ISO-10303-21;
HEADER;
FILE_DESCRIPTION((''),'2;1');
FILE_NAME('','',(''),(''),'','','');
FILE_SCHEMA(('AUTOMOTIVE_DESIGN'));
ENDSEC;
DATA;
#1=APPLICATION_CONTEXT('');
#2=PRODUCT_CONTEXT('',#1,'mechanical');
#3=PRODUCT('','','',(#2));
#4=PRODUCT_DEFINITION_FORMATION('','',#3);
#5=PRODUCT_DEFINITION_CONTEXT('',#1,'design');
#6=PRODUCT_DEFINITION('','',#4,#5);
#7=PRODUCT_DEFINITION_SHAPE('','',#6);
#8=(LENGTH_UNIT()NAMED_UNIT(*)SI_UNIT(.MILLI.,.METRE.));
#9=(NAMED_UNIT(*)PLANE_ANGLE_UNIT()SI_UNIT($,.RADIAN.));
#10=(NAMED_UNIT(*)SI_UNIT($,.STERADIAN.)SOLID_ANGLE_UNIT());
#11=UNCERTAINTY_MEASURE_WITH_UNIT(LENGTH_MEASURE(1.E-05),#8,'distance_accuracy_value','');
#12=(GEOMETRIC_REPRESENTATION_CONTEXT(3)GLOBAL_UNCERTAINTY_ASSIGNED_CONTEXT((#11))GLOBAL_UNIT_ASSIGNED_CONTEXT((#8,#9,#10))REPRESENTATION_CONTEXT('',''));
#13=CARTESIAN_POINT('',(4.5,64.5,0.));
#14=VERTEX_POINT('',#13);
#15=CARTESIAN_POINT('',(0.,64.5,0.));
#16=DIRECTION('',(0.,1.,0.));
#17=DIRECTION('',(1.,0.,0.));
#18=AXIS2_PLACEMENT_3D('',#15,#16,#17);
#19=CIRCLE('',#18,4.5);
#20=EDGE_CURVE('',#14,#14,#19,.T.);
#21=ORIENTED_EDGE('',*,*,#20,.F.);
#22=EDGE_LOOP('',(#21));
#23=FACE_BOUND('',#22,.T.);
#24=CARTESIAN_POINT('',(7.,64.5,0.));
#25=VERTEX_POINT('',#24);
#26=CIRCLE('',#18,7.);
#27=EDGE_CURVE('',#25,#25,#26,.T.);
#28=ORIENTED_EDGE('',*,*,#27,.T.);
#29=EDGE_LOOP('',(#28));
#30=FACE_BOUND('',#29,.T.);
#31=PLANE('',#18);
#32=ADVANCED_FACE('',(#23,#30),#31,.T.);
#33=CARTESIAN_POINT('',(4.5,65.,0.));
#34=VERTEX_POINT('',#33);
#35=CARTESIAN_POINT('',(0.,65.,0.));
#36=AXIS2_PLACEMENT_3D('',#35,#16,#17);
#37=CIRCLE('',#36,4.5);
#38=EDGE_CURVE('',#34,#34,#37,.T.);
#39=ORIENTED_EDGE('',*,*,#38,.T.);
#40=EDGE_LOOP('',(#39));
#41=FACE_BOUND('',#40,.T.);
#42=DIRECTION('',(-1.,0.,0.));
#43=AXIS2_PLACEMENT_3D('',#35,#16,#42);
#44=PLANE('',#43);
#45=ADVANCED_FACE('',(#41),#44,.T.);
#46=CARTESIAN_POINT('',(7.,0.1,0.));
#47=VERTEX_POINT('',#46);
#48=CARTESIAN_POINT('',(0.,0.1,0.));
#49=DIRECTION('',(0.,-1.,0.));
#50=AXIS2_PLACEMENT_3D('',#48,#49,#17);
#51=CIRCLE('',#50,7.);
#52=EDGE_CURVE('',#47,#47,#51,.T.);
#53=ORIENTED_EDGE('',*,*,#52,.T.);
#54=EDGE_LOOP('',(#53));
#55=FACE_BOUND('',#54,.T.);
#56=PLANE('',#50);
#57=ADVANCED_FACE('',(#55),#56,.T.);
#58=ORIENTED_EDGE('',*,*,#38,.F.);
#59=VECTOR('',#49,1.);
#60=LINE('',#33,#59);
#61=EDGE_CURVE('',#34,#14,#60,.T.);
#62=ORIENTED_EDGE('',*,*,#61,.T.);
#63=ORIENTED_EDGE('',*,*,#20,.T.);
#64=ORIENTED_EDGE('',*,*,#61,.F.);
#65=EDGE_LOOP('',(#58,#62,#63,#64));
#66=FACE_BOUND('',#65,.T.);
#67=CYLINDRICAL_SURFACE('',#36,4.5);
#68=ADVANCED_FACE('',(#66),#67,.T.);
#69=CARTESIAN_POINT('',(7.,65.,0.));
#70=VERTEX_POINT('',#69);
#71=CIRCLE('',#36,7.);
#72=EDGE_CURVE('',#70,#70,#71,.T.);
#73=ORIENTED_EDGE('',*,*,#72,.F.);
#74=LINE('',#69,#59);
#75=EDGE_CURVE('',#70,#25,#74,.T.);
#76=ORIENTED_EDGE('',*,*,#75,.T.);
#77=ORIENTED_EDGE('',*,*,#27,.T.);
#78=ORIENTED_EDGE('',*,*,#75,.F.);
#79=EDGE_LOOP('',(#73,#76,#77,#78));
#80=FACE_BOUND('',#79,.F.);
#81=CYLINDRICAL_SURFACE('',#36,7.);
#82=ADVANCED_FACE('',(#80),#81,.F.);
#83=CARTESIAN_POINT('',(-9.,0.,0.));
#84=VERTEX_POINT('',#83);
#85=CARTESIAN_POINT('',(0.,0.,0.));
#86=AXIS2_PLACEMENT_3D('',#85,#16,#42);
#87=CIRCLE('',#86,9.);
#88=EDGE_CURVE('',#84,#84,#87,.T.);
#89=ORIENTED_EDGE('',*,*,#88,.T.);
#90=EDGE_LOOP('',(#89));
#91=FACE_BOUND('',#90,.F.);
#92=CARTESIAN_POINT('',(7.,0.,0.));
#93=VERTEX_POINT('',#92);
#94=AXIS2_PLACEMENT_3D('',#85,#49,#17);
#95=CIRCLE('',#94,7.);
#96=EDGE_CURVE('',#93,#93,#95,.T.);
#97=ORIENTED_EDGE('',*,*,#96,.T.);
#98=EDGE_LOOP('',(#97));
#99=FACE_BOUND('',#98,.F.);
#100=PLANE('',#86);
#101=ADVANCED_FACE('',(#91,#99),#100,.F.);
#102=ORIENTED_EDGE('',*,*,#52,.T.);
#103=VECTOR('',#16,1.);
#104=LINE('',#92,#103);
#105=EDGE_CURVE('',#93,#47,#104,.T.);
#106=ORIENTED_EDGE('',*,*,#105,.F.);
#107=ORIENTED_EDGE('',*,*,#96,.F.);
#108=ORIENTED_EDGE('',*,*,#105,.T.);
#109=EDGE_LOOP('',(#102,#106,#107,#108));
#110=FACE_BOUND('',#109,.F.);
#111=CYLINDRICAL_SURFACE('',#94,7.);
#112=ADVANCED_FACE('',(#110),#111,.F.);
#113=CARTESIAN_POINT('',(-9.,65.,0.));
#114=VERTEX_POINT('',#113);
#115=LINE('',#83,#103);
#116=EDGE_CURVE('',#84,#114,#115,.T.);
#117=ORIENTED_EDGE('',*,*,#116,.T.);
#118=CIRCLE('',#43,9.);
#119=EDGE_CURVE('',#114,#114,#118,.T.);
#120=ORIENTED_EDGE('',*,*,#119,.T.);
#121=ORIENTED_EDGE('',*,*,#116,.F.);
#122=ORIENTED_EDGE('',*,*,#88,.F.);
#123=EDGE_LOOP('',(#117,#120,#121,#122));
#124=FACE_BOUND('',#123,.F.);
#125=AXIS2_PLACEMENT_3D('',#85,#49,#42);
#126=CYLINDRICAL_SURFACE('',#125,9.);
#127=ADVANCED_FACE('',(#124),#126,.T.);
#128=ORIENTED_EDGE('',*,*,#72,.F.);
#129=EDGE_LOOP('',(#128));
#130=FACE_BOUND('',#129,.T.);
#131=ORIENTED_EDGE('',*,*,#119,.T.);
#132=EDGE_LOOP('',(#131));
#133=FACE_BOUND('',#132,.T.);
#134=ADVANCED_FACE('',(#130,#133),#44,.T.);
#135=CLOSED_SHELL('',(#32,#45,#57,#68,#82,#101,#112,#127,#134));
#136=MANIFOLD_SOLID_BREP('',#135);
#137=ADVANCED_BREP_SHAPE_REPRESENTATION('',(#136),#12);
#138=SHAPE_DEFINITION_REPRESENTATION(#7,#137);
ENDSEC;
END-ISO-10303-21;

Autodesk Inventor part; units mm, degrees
ref_plane "YZ Plane" through (0, 0, 0) normal (1, 0, 0) x (0, 1, 0)
ref_plane "XZ Plane" through (0, 0, 0) normal (0, 1, 0) x (-1, 0, 0)
ref_plane "XY Plane" through (0, 0, 0) normal (0, 0, 1) x (1, 0, 0)
sketch "Boceto1" plane through (0, 0, 0) normal (0, 1, 0) x (-1, 0, 0)
  circle A0 centre (0, 0) radius 9
  dimension "d0" = 18
extrude "Extrusión1" add sketch "Boceto1" along normal blind 65
sketch "Boceto2" plane through (0, 65, 0) normal (0, 1, 0) x (1, 0, 0)
  circle A0 centre (0, 0) radius 4.5
  circle A1 centre (0, 0) radius 7
  dimension "d3" = 9
  dimension "d4" = 14
extrude "Extrusión2" cut sketch "Boceto2" against normal blind 0.5
sketch "Boceto3" plane through (0, 0, 0) normal (0, -1, 0) x (1, 0, 0)
  circle A0 centre (0, 0) radius 7
extrude "Extrusión3" cut sketch "Boceto3" against normal blind 0.1
properties part number "Batería"
